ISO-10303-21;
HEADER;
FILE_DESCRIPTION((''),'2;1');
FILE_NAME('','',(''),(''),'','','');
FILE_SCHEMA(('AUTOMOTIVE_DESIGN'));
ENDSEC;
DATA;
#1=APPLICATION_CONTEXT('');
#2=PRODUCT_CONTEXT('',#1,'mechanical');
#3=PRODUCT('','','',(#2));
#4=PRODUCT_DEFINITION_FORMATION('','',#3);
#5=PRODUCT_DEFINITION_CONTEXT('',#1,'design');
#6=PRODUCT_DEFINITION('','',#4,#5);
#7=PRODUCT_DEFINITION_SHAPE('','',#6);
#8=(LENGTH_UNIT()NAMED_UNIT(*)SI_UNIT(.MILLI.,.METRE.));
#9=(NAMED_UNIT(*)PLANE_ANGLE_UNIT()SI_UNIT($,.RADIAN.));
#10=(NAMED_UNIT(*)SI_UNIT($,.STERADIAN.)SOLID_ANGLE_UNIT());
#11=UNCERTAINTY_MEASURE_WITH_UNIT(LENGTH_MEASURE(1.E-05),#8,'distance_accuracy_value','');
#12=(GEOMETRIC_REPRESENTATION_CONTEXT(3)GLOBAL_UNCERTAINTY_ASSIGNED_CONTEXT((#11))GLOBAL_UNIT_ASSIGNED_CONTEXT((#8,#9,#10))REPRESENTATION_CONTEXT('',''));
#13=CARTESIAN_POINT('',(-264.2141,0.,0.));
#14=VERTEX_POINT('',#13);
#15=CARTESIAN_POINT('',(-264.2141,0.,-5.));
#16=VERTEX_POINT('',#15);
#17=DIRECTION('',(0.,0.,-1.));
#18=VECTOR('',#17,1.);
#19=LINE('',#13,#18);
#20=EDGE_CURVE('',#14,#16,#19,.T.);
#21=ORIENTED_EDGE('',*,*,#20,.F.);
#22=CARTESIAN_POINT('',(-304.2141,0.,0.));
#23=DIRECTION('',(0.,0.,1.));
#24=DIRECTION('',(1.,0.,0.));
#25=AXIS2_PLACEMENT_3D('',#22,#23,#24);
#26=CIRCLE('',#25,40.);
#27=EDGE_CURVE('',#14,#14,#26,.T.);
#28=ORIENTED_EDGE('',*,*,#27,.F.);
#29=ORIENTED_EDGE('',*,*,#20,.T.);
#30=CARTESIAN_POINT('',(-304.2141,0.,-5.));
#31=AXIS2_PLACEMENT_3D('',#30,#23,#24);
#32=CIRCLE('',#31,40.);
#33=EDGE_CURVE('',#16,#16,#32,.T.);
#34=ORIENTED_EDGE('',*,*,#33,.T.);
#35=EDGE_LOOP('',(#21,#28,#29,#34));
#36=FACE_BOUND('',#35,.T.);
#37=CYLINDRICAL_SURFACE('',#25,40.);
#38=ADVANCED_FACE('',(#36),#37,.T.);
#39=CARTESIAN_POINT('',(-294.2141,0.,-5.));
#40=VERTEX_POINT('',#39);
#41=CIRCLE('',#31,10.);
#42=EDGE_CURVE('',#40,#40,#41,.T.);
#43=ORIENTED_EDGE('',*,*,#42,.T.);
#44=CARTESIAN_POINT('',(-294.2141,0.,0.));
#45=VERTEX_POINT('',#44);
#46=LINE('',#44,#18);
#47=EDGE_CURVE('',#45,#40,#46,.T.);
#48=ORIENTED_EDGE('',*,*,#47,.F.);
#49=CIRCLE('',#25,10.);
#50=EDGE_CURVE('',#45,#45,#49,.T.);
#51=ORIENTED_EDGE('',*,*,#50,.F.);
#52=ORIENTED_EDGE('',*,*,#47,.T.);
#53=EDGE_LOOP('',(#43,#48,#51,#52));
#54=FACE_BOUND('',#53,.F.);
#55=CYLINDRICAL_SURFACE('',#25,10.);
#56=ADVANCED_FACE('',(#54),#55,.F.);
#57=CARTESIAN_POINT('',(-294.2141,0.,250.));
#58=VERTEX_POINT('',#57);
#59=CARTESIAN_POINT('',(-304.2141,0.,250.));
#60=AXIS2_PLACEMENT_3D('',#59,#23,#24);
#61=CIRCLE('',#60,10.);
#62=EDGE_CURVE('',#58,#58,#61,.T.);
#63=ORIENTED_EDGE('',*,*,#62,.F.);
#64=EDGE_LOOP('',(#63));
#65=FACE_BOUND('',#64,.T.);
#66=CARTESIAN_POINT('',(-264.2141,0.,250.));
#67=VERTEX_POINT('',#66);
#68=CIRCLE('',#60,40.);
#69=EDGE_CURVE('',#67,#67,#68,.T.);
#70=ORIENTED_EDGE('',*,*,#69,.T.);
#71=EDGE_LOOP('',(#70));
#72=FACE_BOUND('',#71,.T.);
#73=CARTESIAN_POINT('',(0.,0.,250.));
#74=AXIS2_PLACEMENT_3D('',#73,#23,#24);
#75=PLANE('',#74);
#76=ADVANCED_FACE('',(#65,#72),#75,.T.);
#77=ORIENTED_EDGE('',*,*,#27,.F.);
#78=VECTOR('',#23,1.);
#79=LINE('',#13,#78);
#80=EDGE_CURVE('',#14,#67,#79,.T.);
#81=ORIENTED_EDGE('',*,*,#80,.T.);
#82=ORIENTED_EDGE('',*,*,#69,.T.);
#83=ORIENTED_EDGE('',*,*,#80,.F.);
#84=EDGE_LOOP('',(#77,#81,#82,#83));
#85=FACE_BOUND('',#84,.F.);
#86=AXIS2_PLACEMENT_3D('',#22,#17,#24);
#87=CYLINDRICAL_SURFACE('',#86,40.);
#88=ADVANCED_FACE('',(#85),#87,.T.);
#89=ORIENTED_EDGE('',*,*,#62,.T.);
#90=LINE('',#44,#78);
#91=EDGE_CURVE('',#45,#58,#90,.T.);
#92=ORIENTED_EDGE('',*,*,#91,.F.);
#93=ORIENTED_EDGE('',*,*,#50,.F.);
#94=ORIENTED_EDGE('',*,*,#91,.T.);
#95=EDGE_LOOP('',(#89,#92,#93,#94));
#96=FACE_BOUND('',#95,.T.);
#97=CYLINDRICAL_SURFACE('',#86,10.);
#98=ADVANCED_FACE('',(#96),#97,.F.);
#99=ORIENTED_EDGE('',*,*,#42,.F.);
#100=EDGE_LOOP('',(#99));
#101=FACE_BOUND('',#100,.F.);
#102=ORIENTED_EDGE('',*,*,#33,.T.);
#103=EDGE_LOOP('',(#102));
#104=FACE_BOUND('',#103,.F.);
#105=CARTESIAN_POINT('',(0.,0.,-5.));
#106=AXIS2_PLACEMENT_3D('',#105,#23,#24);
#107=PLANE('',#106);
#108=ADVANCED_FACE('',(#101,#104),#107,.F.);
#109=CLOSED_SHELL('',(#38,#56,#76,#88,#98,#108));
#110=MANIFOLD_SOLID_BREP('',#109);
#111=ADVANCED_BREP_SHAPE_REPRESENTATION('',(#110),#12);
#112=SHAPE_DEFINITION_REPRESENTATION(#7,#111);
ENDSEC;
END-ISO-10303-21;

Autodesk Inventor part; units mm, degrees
ref_plane "YZ Plane" through (0, 0, 0) normal (1, 0, 0) x (0, 1, 0)
ref_plane "XZ Plane" through (0, 0, 0) normal (0, 1, 0) x (-1, 0, 0)
ref_plane "XY Plane" through (0, 0, 0) normal (0, 0, 1) x (1, 0, 0)
sketch "Sketch1" plane through (0, 0, 0) normal (0, 0, 1) x (1, 0, 0)
  circle A0 centre (-304.2141, 0) radius 40
  circle A1 centre (-304.2141, 0) radius 10
  point P0 (0, 0)
  dimension "d0" = 80
  dimension "d1" = 20
extrude "Extrusion1" add sketch "Sketch1" along normal blind 250 and the other way blind 5
properties part number "roller"
